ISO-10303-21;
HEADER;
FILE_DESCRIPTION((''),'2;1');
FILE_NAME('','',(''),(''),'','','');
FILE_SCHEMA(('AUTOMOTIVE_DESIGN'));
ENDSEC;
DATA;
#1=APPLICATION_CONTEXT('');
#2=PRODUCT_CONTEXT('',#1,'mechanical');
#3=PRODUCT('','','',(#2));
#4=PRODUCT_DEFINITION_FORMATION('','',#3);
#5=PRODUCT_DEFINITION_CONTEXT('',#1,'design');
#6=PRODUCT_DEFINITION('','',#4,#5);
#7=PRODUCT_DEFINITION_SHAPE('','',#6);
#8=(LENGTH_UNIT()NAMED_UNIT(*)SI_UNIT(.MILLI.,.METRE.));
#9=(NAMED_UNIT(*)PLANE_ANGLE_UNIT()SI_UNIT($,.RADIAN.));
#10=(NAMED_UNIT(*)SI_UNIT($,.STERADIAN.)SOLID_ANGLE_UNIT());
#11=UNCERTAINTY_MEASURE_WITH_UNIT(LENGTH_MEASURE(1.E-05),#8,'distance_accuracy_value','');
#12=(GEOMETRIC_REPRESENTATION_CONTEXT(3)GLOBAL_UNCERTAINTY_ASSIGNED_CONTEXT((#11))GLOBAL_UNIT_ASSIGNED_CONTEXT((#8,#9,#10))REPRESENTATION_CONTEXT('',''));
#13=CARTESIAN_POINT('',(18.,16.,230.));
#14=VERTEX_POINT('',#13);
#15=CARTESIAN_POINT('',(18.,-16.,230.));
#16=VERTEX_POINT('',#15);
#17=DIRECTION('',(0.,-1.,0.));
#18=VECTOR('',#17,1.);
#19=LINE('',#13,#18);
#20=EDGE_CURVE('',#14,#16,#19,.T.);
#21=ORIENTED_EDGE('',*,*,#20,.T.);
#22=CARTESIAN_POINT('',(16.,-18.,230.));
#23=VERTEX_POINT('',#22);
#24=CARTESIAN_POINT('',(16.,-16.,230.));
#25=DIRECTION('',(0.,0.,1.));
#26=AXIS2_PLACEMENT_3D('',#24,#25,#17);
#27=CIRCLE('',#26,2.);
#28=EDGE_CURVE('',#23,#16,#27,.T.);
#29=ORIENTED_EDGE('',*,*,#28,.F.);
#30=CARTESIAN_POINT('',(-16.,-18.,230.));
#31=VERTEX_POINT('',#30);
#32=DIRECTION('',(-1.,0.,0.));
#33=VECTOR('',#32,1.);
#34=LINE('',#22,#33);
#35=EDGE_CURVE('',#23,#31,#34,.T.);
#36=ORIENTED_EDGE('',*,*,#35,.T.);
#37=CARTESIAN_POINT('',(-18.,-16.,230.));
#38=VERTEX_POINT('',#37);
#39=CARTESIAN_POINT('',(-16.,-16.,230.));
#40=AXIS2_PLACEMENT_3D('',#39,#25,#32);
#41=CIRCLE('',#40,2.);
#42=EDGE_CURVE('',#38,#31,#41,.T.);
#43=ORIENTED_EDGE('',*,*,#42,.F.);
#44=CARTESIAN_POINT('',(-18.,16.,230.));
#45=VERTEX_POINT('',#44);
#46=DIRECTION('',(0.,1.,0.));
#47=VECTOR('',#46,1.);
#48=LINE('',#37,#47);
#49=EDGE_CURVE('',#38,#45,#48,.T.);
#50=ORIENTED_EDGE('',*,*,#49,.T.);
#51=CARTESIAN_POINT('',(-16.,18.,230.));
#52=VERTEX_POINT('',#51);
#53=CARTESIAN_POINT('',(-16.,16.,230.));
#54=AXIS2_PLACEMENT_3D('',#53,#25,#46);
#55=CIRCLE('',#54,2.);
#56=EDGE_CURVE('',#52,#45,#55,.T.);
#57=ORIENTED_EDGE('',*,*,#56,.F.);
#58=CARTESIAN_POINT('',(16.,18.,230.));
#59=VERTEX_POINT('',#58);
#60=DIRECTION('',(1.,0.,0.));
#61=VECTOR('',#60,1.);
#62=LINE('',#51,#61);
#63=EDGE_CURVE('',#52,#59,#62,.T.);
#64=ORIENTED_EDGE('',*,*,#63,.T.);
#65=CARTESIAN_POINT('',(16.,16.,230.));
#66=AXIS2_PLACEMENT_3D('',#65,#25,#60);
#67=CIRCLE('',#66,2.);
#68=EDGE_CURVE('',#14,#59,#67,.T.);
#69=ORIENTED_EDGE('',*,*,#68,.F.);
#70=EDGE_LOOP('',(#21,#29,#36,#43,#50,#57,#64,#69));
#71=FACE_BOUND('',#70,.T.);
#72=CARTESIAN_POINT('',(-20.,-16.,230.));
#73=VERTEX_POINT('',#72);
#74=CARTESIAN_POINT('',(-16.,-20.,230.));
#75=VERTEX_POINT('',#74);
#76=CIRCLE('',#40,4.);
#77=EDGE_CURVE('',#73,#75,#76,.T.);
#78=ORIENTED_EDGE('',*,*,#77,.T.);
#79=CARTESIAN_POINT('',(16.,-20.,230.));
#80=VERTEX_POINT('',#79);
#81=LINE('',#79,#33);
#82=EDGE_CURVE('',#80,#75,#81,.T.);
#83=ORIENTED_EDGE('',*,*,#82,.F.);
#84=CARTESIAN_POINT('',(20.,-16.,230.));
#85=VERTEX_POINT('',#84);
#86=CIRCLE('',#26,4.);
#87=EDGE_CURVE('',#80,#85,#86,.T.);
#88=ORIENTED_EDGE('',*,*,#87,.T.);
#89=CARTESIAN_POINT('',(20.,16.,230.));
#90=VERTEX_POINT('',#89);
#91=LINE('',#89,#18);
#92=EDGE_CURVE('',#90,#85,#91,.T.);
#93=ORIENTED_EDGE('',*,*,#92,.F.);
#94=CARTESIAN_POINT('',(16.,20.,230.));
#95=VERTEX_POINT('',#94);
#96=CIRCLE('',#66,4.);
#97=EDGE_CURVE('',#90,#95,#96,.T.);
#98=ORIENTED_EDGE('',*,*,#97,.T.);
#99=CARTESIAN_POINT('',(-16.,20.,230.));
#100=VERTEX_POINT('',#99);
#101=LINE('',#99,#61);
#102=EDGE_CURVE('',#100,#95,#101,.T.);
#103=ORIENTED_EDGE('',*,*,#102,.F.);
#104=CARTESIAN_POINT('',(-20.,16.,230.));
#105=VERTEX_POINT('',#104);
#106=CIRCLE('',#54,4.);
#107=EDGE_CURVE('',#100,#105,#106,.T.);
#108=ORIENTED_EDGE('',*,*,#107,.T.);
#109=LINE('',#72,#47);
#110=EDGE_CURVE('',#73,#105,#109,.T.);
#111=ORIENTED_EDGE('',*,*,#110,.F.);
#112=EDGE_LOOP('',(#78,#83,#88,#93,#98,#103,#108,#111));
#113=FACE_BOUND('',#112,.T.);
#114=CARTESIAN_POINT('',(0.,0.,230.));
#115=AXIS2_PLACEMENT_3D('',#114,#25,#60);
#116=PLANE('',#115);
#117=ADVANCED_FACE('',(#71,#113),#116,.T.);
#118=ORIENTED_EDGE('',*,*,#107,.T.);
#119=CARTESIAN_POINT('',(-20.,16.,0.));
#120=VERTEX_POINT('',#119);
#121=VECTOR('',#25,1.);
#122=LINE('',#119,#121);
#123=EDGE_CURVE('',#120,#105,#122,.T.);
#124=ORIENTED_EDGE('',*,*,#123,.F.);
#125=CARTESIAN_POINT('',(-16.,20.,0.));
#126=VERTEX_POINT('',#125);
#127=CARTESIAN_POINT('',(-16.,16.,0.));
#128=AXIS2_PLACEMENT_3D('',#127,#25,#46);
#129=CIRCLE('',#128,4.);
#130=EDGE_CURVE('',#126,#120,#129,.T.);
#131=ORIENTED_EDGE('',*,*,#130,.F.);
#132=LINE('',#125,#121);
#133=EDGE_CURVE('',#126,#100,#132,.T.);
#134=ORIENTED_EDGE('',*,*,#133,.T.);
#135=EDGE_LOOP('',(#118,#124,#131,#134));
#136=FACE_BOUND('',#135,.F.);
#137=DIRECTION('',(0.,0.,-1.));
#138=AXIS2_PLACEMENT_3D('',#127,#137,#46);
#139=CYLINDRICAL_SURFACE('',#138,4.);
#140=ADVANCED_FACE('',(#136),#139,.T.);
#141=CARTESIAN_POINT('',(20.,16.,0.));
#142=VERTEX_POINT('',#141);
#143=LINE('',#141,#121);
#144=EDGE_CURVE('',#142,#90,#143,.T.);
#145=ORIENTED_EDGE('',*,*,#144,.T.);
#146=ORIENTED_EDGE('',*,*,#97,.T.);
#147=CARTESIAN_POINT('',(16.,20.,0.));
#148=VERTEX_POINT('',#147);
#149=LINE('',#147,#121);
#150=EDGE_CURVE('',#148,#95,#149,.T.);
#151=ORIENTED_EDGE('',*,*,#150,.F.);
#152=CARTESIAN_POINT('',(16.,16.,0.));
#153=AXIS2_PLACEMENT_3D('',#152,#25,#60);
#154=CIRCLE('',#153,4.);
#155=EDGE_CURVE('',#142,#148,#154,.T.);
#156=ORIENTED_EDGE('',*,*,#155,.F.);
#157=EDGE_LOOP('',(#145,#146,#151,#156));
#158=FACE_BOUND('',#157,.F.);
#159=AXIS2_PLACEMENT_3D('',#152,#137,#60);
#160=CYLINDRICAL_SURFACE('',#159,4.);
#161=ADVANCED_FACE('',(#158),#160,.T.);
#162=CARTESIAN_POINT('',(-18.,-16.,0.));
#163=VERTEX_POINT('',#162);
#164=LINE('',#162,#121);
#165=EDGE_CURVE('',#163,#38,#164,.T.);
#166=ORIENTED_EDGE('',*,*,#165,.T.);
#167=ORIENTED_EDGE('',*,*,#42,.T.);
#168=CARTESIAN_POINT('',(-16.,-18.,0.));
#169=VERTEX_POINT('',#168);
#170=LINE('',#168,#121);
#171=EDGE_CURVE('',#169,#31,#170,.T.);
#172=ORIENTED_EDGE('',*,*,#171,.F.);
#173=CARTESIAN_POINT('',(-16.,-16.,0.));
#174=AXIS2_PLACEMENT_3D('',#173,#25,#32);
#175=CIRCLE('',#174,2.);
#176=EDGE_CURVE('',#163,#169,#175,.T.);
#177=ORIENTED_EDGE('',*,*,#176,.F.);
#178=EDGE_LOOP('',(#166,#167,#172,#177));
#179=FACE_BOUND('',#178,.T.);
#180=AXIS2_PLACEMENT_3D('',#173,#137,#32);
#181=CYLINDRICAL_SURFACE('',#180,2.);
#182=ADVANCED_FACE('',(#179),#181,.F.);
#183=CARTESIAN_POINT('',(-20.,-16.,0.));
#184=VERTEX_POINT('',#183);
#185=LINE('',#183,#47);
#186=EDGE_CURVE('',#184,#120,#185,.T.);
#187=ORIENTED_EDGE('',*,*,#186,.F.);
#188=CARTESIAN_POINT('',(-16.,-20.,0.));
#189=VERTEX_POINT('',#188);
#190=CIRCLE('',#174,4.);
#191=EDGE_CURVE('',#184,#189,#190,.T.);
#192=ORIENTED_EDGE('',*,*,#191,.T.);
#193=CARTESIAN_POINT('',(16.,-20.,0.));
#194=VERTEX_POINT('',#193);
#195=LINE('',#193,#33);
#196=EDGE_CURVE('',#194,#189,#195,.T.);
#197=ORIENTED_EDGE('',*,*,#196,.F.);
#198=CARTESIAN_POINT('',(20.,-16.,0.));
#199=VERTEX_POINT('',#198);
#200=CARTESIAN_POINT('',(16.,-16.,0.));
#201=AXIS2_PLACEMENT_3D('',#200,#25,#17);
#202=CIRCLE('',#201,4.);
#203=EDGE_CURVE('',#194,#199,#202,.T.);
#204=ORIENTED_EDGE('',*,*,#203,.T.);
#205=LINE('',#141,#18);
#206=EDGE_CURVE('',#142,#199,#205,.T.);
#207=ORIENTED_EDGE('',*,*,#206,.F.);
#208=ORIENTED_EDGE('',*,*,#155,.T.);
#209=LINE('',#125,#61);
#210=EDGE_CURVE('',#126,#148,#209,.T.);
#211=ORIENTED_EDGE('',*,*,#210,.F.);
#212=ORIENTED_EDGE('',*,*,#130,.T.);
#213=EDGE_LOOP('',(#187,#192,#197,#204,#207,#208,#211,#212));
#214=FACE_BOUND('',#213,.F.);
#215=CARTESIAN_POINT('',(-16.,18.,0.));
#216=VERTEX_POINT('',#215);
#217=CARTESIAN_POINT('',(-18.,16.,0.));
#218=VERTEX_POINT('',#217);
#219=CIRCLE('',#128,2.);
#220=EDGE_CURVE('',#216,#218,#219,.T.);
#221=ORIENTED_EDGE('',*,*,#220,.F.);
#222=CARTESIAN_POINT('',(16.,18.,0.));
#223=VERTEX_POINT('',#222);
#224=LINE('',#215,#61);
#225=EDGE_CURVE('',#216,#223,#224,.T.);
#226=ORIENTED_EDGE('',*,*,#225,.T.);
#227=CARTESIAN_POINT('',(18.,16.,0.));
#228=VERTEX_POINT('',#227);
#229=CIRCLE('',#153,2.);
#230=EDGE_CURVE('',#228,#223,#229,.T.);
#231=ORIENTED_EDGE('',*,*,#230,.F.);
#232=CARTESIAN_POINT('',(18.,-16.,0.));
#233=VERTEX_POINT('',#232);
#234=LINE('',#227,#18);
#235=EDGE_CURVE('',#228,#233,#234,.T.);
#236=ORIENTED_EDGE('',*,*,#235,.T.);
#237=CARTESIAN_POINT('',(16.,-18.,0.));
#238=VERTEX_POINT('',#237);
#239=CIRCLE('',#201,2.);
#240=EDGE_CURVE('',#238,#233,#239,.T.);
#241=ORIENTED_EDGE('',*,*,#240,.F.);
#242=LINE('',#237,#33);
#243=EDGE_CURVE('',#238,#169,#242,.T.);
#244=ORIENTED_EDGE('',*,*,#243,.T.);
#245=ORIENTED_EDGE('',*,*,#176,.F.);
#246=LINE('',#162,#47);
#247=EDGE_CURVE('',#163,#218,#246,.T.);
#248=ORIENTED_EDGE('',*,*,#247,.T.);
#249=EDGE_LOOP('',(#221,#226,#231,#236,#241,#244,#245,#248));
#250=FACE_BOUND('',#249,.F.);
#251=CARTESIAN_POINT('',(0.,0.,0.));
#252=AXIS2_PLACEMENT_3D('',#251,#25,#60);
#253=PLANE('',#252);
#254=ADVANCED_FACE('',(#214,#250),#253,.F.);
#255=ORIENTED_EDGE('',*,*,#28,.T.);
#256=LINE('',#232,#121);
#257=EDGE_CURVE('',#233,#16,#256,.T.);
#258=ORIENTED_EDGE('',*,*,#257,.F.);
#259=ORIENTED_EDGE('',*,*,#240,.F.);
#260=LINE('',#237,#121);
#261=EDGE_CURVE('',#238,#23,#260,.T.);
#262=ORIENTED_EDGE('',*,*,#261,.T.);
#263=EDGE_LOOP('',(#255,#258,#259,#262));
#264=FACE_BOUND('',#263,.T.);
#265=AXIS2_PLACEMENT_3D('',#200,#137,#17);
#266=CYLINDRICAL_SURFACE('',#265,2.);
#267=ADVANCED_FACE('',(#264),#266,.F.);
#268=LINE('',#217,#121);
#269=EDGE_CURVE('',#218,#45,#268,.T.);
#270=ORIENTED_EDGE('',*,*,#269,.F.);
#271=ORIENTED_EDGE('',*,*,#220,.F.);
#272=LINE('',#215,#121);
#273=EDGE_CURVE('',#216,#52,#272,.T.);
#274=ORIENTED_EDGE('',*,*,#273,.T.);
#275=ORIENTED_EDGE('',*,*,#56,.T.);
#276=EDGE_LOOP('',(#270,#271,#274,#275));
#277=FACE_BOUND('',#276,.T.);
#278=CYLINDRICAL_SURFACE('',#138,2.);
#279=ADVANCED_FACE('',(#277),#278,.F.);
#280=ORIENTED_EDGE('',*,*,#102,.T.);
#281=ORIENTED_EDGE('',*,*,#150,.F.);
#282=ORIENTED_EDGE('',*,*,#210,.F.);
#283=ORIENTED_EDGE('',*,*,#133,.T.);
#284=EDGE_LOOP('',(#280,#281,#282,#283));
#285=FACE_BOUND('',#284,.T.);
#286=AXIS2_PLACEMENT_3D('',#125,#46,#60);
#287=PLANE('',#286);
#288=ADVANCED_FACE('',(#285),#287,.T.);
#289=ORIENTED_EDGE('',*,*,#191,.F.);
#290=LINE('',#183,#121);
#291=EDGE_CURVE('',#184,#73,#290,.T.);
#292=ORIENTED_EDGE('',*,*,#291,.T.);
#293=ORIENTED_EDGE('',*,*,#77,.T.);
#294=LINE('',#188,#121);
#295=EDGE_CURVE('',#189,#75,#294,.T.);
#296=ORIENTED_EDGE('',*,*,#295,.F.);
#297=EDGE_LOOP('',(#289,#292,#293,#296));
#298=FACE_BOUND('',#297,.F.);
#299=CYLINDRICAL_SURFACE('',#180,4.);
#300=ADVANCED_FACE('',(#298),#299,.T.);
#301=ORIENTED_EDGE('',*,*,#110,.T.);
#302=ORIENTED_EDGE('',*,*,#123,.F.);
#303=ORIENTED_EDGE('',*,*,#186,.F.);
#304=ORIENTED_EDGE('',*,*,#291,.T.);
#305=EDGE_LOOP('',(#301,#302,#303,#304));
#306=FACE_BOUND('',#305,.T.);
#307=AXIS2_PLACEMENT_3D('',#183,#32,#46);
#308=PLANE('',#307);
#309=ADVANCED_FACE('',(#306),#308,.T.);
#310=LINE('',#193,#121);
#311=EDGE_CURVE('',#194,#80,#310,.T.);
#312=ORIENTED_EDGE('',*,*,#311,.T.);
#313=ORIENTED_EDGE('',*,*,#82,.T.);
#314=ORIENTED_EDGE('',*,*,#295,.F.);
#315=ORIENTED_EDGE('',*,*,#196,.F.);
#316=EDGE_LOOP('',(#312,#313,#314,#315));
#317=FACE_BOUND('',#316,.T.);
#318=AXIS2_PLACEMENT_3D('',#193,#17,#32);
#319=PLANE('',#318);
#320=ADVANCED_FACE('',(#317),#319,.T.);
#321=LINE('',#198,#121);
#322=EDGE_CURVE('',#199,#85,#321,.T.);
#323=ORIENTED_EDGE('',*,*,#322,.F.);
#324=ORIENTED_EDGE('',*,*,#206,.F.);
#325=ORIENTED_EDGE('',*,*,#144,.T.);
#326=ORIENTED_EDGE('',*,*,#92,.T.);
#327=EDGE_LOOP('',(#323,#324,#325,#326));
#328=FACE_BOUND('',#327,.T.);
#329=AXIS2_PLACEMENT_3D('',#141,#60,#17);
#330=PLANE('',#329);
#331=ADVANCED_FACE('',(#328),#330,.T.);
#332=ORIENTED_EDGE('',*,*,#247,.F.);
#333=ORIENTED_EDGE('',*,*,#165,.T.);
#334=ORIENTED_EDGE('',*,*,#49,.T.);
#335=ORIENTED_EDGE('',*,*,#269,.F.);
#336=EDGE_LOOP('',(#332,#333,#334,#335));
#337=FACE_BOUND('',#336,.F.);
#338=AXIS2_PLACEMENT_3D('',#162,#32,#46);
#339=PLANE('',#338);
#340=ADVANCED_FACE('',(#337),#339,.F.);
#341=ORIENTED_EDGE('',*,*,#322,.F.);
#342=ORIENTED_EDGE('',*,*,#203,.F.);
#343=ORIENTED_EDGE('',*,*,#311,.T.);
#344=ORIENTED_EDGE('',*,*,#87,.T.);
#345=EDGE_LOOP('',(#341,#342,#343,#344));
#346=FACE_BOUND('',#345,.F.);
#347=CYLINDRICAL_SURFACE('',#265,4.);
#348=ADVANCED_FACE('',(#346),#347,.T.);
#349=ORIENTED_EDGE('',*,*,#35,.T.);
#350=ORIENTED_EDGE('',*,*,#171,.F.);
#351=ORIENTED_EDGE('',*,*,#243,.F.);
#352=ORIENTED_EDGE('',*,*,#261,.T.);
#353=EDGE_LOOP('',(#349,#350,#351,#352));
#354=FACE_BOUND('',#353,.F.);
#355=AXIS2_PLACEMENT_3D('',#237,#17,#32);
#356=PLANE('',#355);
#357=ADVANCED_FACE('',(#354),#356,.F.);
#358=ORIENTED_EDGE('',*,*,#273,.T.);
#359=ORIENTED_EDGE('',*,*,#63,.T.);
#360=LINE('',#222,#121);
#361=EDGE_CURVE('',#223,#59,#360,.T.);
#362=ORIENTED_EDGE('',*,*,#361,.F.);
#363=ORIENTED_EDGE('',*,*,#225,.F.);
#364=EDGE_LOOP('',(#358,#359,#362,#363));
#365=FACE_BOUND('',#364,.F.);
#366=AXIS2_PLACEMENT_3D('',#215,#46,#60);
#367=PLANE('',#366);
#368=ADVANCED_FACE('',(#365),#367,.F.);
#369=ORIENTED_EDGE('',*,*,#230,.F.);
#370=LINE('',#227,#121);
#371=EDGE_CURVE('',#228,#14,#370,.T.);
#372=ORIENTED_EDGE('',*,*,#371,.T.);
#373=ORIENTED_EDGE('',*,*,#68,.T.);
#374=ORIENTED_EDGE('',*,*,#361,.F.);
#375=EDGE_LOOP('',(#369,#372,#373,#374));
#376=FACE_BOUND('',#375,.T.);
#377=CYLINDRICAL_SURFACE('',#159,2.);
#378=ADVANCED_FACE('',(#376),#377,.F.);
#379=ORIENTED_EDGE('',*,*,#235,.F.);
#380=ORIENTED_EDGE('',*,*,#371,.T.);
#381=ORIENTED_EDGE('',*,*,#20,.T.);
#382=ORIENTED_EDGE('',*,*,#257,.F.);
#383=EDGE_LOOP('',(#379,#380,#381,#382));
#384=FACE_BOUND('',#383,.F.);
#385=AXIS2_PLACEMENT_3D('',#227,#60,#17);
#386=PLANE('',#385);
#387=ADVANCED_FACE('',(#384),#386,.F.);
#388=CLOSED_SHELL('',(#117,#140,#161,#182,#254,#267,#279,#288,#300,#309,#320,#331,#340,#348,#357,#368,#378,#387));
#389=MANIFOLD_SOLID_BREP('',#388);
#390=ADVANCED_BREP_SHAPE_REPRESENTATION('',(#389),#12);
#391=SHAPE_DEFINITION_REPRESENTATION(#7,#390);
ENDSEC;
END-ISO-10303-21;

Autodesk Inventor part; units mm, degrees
ref_plane "YZ Plane" through (0, 0, 0) normal (1, 0, 0) x (0, 1, 0)
ref_plane "Start Plane" through (0, 0, 0) normal (0, 0, 1) x (1, 0, 0)
ref_plane "End Plane" through (0, 0, 230) normal (0, 0, 1) x (1, 0, 0)
sketch "Sketch" plane through (0, 0, 0) normal (0, 0, 1) x (1, 0, 0)
  line L0 (-20, -16) -> (-20, 16)
  line L1 (-16, 20) -> (16, 20)
  line L2 (20, 16) -> (20, -16)
  line L3 (16, -20) -> (-16, -20)
  arc A0 (-20, -16) -> (-16, -20) centre (-16, -16) ccw
  arc A1 (20, 16) -> (16, 20) centre (16, 16) ccw
  arc A2 (-16, 20) -> (-20, 16) centre (-16, 16) ccw
  arc A3 (16, -20) -> (20, -16) centre (16, -16) ccw
  arc A4 (-16, 18) -> (-18, 16) centre (-16, 16) ccw
  line L4 (-16, 18) -> (16, 18)
  arc A5 (18, 16) -> (16, 18) centre (16, 16) ccw
  line L5 (18, 16) -> (18, -16)
  arc A6 (16, -18) -> (18, -16) centre (16, -16) ccw
  line L6 (16, -18) -> (-16, -18)
  arc A7 (-18, -16) -> (-16, -18) centre (-16, -16) ccw
  line L7 (-18, -16) -> (-18, 16)
  line L8 (0, 29.1598) -> (0, -29.1598) construction
  line L9 (-29.1598, 0) -> (29.1598, 0) construction
  dimension "d7" = 4
  dimension "d9" = 40
  dimension "d11" = 40
  dimension "d12" = 2
  dimension "d15" = 20
  dimension "d16" = 20
extrude "Body" add sketch "Sketch" along normal up to surface (230 mm away) from surface at 0
sketch "Sketch3" plane through (0, 0, 0) normal (0, 0, 1) x (1, 0, 0)
  line L0 (0, 0) -> (10, 0)
ref_plane "Work Plane3" through (0, 0, 0) normal (0, -1, 0) x (1, 0, 0)
sketch "Sketch4" plane through (0, 0, 0) normal (0, -1, 0) x (1, 0, 0)
  line L0 (-2, 0) -> (12, 0) projected
  line L1 (-2, 230) -> (12, 230) projected
  dimension "d18" = 230
equation "\"d7\" = G_IR"
equation "\"d9\" = G_W"
equation "\"d11\" = G_H"
equation "\"d12\" = G_T"
equation "\"d15\" = 0.5 * d9"
equation "\"d16\" = 0.5 * d11"
equation "\"d3\" = G_L"
equation "\"G_W\" = 40"
equation "\"G_H\" = 40"
equation "\"G_T\" = 2"
equation "\"G_IR\" = 4"
equation "\"G_L\" = d18"
equation "\"G_OFFSET_START\" = 0"
equation "\"G_OFFSET_END\" = 0"
properties part number "ISO 4019 - 40x40x2 - 230" material "Steel"
